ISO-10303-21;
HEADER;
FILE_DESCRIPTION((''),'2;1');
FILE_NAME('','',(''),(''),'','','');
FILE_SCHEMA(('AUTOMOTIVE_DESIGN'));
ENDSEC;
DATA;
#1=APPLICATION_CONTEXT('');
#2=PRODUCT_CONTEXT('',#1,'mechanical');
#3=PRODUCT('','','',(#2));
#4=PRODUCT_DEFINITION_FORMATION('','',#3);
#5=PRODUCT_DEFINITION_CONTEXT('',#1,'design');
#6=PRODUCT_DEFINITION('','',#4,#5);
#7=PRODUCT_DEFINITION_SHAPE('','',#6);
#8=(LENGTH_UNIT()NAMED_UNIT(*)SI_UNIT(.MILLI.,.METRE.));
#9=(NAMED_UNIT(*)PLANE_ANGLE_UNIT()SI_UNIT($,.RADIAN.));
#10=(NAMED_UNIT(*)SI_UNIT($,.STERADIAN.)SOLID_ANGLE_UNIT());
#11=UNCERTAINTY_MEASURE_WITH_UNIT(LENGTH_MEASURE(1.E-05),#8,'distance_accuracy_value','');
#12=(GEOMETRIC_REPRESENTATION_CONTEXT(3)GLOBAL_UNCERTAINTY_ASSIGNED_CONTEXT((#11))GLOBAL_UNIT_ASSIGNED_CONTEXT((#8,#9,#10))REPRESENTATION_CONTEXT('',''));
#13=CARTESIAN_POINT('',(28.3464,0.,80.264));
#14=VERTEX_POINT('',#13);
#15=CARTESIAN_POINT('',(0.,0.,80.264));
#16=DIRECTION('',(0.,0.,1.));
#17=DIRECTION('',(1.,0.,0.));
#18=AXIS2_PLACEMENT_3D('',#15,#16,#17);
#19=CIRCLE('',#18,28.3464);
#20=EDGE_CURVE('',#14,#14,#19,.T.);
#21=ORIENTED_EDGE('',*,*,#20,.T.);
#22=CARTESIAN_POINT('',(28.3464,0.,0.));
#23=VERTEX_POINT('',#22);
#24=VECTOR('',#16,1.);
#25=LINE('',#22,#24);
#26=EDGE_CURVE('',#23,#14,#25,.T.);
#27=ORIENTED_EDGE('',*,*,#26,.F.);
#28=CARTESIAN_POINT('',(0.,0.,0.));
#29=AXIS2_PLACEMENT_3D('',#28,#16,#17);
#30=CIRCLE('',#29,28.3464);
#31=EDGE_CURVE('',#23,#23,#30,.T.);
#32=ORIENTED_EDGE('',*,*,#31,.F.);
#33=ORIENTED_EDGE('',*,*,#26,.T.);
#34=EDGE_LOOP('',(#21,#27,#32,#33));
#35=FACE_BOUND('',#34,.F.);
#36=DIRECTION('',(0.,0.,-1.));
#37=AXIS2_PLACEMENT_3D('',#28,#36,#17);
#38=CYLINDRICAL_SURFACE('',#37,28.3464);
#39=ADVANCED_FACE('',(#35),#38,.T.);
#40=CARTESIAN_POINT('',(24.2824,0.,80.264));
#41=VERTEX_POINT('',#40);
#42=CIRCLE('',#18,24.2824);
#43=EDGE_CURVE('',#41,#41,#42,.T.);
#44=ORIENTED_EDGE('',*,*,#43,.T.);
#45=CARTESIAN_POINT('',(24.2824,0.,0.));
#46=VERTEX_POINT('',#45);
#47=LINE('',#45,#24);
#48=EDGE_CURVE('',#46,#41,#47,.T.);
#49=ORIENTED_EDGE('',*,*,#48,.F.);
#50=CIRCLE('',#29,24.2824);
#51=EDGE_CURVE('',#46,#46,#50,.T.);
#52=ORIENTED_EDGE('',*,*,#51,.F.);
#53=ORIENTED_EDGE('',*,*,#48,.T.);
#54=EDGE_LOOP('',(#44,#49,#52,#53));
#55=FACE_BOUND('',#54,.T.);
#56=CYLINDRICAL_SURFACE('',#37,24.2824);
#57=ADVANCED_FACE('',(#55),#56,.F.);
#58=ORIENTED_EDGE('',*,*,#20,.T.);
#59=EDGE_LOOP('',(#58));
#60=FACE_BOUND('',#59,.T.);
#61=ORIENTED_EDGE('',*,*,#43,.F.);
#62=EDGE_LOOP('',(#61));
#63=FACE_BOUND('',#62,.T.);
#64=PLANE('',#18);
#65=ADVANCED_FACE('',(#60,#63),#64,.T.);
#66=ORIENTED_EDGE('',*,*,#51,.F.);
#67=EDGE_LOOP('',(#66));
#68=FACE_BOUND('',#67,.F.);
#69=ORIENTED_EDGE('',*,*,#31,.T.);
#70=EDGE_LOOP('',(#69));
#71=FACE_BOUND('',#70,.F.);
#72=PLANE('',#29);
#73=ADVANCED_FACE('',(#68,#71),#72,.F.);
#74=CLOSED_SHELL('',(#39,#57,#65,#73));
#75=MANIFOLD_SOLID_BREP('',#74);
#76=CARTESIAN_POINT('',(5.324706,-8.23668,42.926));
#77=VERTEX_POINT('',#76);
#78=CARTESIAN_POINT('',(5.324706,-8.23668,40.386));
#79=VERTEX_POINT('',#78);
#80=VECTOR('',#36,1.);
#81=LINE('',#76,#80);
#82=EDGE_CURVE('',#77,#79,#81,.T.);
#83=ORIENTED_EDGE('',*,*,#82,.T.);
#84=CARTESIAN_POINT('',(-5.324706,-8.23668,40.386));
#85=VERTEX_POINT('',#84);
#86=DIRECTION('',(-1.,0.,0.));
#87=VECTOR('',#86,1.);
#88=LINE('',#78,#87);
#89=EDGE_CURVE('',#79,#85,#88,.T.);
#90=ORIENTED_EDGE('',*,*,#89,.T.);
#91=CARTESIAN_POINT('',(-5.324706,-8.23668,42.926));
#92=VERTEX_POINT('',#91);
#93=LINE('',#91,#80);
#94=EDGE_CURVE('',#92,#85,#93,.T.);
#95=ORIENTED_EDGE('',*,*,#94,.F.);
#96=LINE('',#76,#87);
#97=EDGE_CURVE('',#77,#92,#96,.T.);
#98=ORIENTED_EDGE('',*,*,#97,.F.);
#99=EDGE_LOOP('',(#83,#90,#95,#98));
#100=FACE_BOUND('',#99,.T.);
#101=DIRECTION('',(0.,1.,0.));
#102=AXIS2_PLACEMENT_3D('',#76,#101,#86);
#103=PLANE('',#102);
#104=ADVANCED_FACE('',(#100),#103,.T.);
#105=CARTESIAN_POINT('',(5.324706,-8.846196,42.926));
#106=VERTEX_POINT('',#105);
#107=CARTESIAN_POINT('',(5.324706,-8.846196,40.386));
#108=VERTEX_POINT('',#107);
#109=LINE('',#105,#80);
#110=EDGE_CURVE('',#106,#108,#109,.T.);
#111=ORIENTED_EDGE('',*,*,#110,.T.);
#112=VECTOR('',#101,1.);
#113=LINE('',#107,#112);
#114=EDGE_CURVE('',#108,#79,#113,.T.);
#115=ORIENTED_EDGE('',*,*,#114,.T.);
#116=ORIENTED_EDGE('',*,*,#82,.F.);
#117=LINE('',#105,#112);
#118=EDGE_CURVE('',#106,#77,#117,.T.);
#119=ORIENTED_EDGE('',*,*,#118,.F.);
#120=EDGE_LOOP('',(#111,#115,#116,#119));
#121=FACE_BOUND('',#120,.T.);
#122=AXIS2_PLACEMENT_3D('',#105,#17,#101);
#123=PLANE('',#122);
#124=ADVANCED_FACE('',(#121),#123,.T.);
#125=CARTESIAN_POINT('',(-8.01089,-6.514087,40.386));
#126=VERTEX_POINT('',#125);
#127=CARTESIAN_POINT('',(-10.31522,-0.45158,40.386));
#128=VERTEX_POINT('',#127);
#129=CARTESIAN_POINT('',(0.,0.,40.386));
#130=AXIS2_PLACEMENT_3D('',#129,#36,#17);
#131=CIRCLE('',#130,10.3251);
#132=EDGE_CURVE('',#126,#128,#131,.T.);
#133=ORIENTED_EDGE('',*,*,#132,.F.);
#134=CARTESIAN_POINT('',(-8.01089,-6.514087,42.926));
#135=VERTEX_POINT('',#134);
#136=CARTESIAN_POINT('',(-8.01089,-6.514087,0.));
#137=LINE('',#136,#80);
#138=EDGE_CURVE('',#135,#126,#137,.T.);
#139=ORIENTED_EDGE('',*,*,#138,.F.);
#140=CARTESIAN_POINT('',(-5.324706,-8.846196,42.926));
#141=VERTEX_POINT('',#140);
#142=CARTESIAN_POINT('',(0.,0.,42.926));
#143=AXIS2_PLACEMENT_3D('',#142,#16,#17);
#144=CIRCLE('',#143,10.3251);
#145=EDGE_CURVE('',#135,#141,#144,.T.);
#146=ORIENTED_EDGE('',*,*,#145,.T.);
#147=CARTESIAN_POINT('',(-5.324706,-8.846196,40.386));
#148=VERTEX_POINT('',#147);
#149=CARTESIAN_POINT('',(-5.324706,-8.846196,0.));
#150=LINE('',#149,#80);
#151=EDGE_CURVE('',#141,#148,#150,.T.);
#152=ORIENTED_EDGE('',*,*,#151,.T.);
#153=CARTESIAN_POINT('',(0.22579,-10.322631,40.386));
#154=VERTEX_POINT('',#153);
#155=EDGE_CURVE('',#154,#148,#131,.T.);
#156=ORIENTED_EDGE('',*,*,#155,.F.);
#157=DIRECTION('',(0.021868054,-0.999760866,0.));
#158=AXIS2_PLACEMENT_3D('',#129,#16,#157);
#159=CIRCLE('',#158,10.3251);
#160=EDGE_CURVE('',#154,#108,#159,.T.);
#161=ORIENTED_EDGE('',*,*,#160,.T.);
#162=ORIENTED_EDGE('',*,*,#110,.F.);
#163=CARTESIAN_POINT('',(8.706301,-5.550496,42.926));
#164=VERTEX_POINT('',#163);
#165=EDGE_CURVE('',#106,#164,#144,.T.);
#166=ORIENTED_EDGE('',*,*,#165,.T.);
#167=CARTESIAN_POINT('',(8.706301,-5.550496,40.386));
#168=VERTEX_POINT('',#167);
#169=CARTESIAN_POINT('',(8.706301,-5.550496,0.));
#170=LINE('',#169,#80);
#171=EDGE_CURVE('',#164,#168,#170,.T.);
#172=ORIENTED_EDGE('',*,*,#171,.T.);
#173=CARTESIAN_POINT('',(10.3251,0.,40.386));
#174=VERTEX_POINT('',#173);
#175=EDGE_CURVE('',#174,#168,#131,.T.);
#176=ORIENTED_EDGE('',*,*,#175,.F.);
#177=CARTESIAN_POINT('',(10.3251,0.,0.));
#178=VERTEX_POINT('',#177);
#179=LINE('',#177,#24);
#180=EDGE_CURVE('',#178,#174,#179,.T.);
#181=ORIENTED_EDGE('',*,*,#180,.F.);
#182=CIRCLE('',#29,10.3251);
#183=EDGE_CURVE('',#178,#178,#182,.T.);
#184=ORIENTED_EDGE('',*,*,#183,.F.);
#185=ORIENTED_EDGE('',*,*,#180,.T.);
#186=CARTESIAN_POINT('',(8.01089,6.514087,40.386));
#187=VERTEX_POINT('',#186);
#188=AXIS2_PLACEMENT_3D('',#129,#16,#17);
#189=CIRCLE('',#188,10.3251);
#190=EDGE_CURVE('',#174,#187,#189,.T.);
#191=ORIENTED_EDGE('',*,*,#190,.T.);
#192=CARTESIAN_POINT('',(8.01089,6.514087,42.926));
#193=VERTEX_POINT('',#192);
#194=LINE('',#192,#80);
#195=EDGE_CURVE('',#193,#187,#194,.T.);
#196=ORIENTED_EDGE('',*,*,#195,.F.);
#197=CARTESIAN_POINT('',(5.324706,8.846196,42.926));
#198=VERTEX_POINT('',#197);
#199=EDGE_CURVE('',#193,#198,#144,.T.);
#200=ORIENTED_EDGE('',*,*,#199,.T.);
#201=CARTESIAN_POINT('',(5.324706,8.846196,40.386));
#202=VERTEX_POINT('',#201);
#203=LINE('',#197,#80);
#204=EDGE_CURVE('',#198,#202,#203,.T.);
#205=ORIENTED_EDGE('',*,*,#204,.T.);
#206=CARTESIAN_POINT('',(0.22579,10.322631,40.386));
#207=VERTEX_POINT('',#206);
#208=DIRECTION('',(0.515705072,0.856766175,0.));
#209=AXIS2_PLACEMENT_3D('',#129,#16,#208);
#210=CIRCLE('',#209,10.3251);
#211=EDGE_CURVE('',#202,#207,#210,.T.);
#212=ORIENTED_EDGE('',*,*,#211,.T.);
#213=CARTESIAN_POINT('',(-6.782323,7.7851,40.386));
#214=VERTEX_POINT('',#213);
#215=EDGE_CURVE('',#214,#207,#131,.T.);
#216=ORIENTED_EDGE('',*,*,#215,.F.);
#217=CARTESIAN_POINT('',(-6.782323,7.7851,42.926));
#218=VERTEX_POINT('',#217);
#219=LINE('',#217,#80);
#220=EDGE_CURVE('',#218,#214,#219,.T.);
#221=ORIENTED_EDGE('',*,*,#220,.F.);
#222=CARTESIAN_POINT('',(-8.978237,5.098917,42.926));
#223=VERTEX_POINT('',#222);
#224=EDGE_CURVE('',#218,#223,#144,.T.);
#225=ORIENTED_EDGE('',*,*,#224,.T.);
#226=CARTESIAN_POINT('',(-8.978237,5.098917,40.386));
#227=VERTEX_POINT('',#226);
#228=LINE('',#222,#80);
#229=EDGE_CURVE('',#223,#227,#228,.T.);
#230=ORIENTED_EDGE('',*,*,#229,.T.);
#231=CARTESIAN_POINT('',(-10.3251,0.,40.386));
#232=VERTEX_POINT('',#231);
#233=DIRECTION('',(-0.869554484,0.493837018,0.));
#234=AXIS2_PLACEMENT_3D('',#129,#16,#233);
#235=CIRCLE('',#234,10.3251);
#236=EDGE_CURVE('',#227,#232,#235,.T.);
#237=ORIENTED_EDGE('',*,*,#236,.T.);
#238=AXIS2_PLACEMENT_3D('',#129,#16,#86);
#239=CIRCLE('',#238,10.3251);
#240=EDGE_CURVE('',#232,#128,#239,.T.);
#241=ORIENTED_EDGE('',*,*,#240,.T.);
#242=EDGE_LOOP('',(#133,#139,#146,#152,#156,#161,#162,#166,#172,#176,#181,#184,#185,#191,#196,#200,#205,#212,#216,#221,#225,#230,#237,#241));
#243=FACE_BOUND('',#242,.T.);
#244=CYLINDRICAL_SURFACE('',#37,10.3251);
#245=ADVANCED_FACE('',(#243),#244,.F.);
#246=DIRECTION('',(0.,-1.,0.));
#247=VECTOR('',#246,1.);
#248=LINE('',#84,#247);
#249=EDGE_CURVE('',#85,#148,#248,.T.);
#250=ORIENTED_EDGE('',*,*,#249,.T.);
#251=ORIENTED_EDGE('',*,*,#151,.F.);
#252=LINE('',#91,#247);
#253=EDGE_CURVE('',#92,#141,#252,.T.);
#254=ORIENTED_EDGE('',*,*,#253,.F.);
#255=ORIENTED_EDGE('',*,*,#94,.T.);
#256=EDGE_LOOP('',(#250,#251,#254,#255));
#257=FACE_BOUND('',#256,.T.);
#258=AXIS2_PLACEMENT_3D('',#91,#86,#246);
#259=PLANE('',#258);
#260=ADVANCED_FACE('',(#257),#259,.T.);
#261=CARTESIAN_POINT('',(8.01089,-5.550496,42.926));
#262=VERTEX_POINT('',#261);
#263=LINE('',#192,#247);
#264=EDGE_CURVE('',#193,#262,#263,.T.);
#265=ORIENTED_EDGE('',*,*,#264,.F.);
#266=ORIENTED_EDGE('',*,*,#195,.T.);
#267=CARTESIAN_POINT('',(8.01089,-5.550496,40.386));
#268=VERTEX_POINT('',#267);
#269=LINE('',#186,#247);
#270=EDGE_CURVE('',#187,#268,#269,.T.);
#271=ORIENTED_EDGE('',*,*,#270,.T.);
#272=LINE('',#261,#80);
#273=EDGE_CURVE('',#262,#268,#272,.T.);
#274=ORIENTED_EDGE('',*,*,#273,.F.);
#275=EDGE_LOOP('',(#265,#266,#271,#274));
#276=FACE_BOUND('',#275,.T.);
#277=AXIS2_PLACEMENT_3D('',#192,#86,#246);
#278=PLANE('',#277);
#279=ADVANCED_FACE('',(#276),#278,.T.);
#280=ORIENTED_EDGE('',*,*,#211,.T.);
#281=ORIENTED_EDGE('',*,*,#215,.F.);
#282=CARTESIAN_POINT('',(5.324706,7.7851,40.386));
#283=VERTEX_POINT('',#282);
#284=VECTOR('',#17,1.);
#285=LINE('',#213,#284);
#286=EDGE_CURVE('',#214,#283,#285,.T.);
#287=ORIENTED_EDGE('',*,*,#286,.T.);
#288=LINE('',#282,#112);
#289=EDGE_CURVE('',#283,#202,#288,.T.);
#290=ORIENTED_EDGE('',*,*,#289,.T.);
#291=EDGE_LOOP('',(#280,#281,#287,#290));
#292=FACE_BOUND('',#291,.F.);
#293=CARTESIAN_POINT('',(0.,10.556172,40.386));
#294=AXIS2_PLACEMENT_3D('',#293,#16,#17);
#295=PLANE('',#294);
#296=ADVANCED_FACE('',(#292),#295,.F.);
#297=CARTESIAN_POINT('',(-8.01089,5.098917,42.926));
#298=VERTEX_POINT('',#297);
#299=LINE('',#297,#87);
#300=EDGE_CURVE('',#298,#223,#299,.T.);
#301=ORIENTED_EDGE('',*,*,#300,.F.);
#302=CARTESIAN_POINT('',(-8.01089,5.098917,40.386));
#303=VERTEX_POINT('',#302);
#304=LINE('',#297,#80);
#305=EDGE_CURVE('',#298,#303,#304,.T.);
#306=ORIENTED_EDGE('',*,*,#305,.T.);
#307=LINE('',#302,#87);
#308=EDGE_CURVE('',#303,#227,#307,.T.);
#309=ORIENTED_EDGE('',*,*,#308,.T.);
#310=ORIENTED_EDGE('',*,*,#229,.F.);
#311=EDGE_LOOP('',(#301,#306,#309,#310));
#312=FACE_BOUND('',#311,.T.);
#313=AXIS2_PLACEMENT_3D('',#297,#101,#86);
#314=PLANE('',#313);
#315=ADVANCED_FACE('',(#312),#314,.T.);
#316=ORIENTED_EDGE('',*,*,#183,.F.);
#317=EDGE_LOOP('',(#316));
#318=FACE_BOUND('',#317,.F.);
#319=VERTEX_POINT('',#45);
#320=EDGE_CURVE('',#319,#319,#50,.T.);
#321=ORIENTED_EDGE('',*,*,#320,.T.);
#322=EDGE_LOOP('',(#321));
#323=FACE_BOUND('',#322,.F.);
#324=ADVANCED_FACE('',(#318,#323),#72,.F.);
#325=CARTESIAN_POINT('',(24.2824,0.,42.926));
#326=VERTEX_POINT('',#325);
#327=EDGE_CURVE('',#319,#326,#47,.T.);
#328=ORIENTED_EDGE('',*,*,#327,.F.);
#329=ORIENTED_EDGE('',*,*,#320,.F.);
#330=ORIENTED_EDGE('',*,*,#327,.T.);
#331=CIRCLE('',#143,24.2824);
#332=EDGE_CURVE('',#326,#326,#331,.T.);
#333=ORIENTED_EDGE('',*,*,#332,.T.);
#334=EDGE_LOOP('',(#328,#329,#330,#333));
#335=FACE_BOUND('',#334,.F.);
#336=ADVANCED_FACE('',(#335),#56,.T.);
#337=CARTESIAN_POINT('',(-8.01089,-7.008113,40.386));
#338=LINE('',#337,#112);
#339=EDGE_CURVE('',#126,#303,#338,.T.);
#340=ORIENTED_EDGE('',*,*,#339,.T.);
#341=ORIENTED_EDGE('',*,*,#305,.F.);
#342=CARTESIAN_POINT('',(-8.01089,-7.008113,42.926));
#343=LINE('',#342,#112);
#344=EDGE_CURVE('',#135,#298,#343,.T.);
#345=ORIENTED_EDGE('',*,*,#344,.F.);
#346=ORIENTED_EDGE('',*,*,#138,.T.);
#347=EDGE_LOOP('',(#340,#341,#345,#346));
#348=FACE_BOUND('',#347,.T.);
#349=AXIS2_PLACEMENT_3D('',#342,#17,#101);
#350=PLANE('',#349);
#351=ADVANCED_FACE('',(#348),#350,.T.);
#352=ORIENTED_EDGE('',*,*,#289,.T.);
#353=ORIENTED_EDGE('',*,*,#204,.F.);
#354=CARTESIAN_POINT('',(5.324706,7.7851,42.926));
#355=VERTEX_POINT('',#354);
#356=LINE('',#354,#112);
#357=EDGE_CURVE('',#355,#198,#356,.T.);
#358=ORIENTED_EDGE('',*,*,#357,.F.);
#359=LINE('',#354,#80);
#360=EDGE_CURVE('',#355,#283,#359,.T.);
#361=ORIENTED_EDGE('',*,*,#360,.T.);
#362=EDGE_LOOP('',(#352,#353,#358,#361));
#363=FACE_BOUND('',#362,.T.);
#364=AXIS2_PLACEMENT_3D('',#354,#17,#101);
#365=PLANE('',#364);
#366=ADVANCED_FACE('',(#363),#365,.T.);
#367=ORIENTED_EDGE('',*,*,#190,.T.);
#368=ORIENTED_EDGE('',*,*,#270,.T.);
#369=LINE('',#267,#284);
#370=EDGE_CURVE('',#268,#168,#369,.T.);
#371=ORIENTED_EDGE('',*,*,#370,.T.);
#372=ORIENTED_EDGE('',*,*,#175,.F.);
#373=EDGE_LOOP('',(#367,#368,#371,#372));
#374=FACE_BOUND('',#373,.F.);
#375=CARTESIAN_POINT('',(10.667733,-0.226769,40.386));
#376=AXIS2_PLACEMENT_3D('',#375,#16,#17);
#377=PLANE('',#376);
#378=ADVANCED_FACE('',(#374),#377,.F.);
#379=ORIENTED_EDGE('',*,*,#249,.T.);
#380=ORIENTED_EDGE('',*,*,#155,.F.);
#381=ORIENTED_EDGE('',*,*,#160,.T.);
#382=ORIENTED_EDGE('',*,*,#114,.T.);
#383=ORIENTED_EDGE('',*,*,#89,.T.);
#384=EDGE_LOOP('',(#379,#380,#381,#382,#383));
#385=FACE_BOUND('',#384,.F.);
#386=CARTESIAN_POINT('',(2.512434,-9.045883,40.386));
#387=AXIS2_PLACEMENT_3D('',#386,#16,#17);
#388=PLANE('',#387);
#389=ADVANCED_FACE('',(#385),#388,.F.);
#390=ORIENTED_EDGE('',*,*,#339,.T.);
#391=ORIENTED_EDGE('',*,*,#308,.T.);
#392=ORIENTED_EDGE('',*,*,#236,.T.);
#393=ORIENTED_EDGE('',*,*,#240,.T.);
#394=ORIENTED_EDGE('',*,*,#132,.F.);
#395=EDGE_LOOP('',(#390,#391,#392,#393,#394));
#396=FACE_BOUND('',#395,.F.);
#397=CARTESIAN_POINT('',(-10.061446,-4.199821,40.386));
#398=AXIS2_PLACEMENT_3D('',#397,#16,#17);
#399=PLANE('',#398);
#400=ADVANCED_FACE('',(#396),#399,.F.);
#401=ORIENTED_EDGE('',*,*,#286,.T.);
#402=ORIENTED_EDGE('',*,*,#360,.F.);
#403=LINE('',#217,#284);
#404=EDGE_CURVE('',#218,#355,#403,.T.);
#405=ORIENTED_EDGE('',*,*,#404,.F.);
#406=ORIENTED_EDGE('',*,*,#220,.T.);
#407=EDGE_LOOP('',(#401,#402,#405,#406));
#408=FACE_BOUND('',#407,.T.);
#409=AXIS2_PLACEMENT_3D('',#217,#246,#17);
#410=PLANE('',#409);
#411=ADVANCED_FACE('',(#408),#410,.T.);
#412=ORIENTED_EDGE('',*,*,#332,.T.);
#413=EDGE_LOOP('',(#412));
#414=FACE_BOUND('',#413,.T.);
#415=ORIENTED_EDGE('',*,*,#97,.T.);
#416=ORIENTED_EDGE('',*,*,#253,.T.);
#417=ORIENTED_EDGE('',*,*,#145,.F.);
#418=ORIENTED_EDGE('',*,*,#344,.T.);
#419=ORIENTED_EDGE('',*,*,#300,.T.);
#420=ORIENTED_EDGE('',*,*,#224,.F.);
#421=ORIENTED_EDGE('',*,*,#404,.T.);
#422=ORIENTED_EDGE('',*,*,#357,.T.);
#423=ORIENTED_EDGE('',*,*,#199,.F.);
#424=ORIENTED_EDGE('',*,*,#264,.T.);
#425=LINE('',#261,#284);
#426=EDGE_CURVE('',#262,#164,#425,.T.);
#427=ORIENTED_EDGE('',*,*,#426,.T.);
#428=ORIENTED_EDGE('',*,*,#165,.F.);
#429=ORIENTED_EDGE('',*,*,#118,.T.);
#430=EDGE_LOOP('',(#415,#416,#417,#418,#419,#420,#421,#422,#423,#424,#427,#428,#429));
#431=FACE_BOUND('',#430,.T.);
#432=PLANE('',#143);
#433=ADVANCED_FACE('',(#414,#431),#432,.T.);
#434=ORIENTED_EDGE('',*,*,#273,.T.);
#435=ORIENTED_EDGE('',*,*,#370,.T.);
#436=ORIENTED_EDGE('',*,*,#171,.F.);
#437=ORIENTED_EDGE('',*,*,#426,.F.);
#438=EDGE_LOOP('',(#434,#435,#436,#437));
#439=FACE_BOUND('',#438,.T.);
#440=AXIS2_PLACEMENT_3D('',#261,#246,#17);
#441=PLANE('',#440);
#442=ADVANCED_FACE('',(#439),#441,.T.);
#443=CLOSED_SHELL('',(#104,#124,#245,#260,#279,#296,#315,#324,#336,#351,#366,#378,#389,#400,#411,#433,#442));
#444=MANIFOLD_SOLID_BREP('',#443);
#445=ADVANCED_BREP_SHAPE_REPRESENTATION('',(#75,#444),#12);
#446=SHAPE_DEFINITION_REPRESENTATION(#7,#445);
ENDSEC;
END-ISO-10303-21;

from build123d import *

# Parameters (mm, degrees)
F0_R     = 28.3464
F0_R_2   = 24.2824
F1_DEPTH = 80.264
F0_R_3   = 10.3251
F2_DEPTH = 42.926
F3_W     = 0.45157969
F3_H     = 0.45157969
F4_DEPTH = 2.54


with BuildPart() as f1:
    # F0 (on Top) → F1 (new body)
    with BuildSketch(Plane.XY):
        Circle(F0_R)
        Circle(F0_R_2, mode=Mode.SUBTRACT)
    extrude(amount=F1_DEPTH)


with BuildPart() as f2:
    # F0 (on Top) → F2 (new body)
    with BuildSketch(Plane.XY):
        Circle(F0_R_2)
        Circle(F0_R_3, mode=Mode.SUBTRACT)
    extrude(amount=F2_DEPTH)

    # F3 (on face) → F4 (join)
    with BuildSketch(Plane.XY.offset(42.926)):
        with BuildLine():
            Line((-0.225789845, 10.7890022919), (-0.225789845, 10.3226309125))
            ThreePointArc((-0.225789845, 10.3226309125), (0, 10.3251), (0.225789845, 10.3226309125))
            Line((0.225789845, 10.3226309125), (0.225789845, 10.7890022919))
            Line((0.225789845, 10.7890022919), (-0.225789845, 10.7890022919))
        make_face()
        with BuildLine():
            Line((0.225789845, 10.3226309125), (0.225789845, 7.7851))
            Line((0.225789845, 7.7851), (5.3247064352, 7.7851))
            Line((5.3247064352, 7.7851), (5.3247064352, 8.8461964363))
            ThreePointArc((5.3247064352, 8.8461964363), (2.871753285, 9.9176974687), (0.225789845, 10.3226309125))
        make_face()
        with BuildLine():
            Line((11.0147921368, 0), (10.3251, 0))
            ThreePointArc((10.3251, 0), (10.3226297305, -0.2258438779), (10.315220104, -0.45157969))
            Line((10.315220104, -0.45157969), (11.0147921368, -0.45157969))
            Line((11.0147921368, -0.45157969), (11.0147921368, 0))
        make_face()
        with BuildLine():
            Line((11.0147921368, -0.45157969), (10.315220104, -0.45157969))
            ThreePointArc((10.315220104, -0.45157969), (9.8465377689, -3.1069895359), (8.7063012269, -5.5504962802))
            Line((8.7063012269, -5.5504962802), (11.0147921368, -5.5504962802))
            Line((11.0147921368, -5.5504962802), (11.0147921368, -0.45157969))
        make_face()
        with BuildLine():
            Line((5.3247064352, -8.23667969), (0.225789845, -8.23667969))
            Line((0.225789845, -8.23667969), (0.225789845, -10.3226309125))
            ThreePointArc((0.225789845, -10.3226309125), (2.871753285, -9.9176974687), (5.3247064352, -8.8461964363))
            Line((5.3247064352, -8.8461964363), (5.3247064352, -8.23667969))
        make_face()
        with Locations((0, -11.0147921368)):
            Rectangle(F3_W, F3_H)
        with BuildLine():
            ThreePointArc((-8.010889845, -6.5140873422), (-9.6514287141, -3.6684620465), (-10.315220104, -0.45157969))
            Line((-10.315220104, -0.45157969), (-11.0147921368, -0.45157969))
            Line((-11.0147921368, -0.45157969), (-11.0147921368, -7.0081130458))
            Line((-11.0147921368, -7.0081130458), (-8.010889845, -7.0081130458))
            Line((-8.010889845, -7.0081130458), (-8.010889845, -6.5140873422))
        make_face()
        with BuildLine():
            Line((-8.010889845, 5.0989165902), (-8.9782369993, 5.0989165902))
            ThreePointArc((-8.9782369993, 5.0989165902), (-9.9827071692, 2.6369011328), (-10.3251, 0))
            Line((-10.3251, 0), (-8.010889845, 0))
            Line((-8.010889845, 0), (-8.010889845, 5.0989165902))
        make_face()
        with BuildLine():
            Line((-8.010889845, -0.45157969), (-10.315220104, -0.45157969))
            ThreePointArc((-10.315220104, -0.45157969), (-9.6514287141, -3.6684620465), (-8.010889845, -6.5140873422))
            Line((-8.010889845, -6.5140873422), (-8.010889845, -0.45157969))
        make_face()
        with BuildLine():
            Line((-8.010889845, 0), (-10.3251, 0))
            ThreePointArc((-10.3251, 0), (-10.3226297305, -0.2258438779), (-10.315220104, -0.45157969))
            Line((-10.315220104, -0.45157969), (-8.010889845, -0.45157969))
            Line((-8.010889845, -0.45157969), (-8.010889845, 0))
        make_face()
        with BuildLine():
            Line((10.3251, 0), (8.010889845, 0))
            Line((8.010889845, 0), (8.010889845, -0.45157969))
            Line((8.010889845, -0.45157969), (10.315220104, -0.45157969))
            ThreePointArc((10.315220104, -0.45157969), (10.3226297305, -0.2258438779), (10.3251, 0))
        make_face()
        with BuildLine():
            Line((10.315220104, -0.45157969), (8.010889845, -0.45157969))
            Line((8.010889845, -0.45157969), (8.010889845, -5.5504962802))
            Line((8.010889845, -5.5504962802), (8.7063012269, -5.5504962802))
            ThreePointArc((8.7063012269, -5.5504962802), (9.8465377689, -3.1069895359), (10.315220104, -0.45157969))
        make_face()
        with BuildLine():
            Line((8.010889845, 6.5140873422), (8.010889845, 0))
            Line((8.010889845, 0), (10.3251, 0))
            ThreePointArc((10.3251, 0), (9.7293609438, 3.4564758983), (8.010889845, 6.5140873422))
        make_face()
        with BuildLine():
            Line((-6.7823232008, 10.7890022919), (-6.7823232008, 7.7851))
            ThreePointArc((-6.7823232008, 7.7851), (-3.7266845719, 9.6290971597), (-0.225789845, 10.3226309125))
            Line((-0.225789845, 10.3226309125), (-0.225789845, 10.7890022919))
            Line((-0.225789845, 10.7890022919), (-6.7823232008, 10.7890022919))
        make_face()
        with BuildLine():
            ThreePointArc((-0.225789845, -10.3226309125), (-2.871753285, -9.9176974687), (-5.3247064352, -8.8461964363))
            Line((-5.3247064352, -8.8461964363), (-5.3247064352, -10.7890022919))
            Line((-5.3247064352, -10.7890022919), (-0.225789845, -10.7890022919))
            Line((-0.225789845, -10.7890022919), (-0.225789845, -10.3226309125))
        make_face()
        with BuildLine():
            ThreePointArc((0.225789845, -10.3226309125), (0, -10.3251), (-0.225789845, -10.3226309125))
            Line((-0.225789845, -10.3226309125), (-0.225789845, -10.7890022919))
            Line((-0.225789845, -10.7890022919), (0.225789845, -10.7890022919))
            Line((0.225789845, -10.7890022919), (0.225789845, -10.3226309125))
        make_face()
        with BuildLine():
            ThreePointArc((-0.225789845, 10.3226309125), (-3.7266845719, 9.6290971597), (-6.7823232008, 7.7851))
            Line((-6.7823232008, 7.7851), (-0.225789845, 7.7851))
            Line((-0.225789845, 7.7851), (-0.225789845, 10.3226309125))
        make_face()
        with BuildLine():
            Line((-0.225789845, 10.3226309125), (-0.225789845, 7.7851))
            Line((-0.225789845, 7.7851), (0.225789845, 7.7851))
            Line((0.225789845, 7.7851), (0.225789845, 10.3226309125))
            ThreePointArc((0.225789845, 10.3226309125), (0, 10.3251), (-0.225789845, 10.3226309125))
        make_face()
        with BuildLine():
            Line((0.225789845, -8.23667969), (-0.225789845, -8.23667969))
            Line((-0.225789845, -8.23667969), (-0.225789845, -10.3226309125))
            ThreePointArc((-0.225789845, -10.3226309125), (0, -10.3251), (0.225789845, -10.3226309125))
            Line((0.225789845, -10.3226309125), (0.225789845, -8.23667969))
        make_face()
        with BuildLine():
            Line((-0.225789845, -10.3226309125), (-0.225789845, -8.23667969))
            Line((-0.225789845, -8.23667969), (-5.3247064352, -8.23667969))
            Line((-5.3247064352, -8.23667969), (-5.3247064352, -8.8461964363))
            ThreePointArc((-5.3247064352, -8.8461964363), (-2.871753285, -9.9176974687), (-0.225789845, -10.3226309125))
        make_face()
    extrude(amount=-F4_DEPTH)


solid = Compound([f1.part, f2.part])
